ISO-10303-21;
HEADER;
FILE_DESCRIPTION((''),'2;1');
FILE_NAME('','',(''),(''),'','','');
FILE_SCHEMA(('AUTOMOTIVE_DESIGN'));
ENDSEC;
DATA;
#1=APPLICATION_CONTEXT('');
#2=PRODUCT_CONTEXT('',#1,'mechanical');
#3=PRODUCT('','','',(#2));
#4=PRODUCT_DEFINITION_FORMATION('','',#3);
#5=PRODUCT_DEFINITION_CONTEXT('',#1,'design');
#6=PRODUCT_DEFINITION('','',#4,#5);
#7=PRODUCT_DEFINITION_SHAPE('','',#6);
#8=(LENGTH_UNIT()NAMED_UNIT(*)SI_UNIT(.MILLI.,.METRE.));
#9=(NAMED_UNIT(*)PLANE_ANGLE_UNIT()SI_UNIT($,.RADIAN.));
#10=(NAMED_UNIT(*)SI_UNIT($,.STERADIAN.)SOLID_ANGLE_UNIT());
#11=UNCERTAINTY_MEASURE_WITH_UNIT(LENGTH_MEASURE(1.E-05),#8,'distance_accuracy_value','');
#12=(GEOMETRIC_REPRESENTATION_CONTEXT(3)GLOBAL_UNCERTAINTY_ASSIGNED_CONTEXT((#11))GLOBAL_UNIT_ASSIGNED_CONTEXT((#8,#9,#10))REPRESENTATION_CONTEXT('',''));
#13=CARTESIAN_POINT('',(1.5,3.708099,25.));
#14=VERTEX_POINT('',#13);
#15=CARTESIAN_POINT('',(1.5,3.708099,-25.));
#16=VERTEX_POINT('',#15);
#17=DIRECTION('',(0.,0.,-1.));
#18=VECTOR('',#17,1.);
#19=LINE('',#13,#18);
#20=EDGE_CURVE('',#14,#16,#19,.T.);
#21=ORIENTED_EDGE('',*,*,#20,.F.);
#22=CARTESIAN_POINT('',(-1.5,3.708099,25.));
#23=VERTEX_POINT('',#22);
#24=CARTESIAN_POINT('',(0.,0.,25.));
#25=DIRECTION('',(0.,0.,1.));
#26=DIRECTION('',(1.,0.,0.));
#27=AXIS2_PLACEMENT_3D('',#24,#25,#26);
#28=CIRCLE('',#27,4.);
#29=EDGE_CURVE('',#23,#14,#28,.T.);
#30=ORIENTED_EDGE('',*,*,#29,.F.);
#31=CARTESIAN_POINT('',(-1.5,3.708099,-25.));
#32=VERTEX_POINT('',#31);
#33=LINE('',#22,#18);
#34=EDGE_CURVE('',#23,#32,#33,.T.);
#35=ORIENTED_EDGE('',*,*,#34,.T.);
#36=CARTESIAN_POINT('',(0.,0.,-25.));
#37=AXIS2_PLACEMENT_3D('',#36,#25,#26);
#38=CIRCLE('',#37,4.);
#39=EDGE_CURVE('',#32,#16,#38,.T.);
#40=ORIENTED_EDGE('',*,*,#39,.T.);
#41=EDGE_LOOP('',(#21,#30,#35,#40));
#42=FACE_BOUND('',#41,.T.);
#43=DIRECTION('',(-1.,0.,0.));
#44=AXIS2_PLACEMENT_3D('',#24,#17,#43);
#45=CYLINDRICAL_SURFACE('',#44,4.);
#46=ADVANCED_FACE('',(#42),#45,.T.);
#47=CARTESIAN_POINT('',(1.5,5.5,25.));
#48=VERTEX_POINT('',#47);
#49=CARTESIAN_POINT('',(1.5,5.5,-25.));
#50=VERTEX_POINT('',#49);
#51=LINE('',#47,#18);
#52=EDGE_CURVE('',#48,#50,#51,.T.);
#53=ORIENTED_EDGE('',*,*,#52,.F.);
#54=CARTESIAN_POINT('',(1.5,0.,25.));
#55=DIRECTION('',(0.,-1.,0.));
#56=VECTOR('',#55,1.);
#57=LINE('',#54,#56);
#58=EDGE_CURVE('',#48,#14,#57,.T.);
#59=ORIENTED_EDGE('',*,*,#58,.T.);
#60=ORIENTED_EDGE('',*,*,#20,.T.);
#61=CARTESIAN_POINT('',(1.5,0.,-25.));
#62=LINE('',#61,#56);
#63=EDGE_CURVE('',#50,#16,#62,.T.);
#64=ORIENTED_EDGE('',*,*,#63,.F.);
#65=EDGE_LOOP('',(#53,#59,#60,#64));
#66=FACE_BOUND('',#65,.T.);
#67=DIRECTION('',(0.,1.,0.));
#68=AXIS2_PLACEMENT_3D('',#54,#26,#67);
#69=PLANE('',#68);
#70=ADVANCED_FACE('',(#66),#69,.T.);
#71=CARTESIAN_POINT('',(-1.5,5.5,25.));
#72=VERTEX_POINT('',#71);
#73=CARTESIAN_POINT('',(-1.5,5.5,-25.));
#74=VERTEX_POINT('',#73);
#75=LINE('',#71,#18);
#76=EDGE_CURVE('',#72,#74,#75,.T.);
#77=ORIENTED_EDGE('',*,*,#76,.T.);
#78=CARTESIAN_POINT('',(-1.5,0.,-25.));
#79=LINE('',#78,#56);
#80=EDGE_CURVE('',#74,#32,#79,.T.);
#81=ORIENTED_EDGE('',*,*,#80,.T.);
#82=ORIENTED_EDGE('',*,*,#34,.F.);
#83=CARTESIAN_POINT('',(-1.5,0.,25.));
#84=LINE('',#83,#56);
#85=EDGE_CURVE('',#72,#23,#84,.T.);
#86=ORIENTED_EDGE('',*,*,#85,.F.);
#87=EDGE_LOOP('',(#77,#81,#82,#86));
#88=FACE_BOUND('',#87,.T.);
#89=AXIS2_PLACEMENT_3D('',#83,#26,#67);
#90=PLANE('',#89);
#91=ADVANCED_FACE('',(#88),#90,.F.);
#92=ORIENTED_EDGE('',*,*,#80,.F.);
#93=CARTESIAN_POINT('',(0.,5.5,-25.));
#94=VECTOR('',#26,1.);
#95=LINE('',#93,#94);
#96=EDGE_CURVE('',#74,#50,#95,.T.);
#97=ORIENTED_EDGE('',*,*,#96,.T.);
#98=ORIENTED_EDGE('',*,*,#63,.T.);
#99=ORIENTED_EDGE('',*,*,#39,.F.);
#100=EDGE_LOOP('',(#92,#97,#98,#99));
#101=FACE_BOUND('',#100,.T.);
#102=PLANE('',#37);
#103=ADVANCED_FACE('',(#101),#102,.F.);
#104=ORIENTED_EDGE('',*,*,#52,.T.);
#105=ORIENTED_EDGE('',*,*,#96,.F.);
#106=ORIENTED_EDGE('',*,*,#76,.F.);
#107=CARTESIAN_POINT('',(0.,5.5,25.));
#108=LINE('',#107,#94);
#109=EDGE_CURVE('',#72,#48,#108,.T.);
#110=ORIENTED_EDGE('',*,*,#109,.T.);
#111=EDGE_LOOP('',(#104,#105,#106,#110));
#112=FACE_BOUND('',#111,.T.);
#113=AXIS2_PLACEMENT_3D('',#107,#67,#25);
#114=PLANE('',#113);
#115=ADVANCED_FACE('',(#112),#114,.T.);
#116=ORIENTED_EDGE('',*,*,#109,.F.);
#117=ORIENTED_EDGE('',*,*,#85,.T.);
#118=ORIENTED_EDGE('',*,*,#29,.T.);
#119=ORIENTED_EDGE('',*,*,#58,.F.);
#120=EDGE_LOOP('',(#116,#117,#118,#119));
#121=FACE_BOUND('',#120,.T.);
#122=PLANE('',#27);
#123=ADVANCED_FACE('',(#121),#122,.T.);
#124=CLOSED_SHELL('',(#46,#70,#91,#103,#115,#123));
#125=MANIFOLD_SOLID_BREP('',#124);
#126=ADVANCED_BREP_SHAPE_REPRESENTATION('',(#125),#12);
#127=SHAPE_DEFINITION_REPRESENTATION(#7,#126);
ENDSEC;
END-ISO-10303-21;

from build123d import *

# Parameters (mm, degrees)
SKETCH1_R           = 4
SKETCH1_W           = 3
SKETCH1_H           = 3
BOSS_EXTRUDE1_DEPTH = 25


with BuildPart() as part:
    # Sketch1 → Boss-Extrude1 (new body, symmetric)
    with BuildSketch(Plane.XY):
        Circle(SKETCH1_R)
        with Locations((0, 4)):
            Rectangle(SKETCH1_W, SKETCH1_H)
    extrude(amount=BOSS_EXTRUDE1_DEPTH, both=True)


solid = part.part
